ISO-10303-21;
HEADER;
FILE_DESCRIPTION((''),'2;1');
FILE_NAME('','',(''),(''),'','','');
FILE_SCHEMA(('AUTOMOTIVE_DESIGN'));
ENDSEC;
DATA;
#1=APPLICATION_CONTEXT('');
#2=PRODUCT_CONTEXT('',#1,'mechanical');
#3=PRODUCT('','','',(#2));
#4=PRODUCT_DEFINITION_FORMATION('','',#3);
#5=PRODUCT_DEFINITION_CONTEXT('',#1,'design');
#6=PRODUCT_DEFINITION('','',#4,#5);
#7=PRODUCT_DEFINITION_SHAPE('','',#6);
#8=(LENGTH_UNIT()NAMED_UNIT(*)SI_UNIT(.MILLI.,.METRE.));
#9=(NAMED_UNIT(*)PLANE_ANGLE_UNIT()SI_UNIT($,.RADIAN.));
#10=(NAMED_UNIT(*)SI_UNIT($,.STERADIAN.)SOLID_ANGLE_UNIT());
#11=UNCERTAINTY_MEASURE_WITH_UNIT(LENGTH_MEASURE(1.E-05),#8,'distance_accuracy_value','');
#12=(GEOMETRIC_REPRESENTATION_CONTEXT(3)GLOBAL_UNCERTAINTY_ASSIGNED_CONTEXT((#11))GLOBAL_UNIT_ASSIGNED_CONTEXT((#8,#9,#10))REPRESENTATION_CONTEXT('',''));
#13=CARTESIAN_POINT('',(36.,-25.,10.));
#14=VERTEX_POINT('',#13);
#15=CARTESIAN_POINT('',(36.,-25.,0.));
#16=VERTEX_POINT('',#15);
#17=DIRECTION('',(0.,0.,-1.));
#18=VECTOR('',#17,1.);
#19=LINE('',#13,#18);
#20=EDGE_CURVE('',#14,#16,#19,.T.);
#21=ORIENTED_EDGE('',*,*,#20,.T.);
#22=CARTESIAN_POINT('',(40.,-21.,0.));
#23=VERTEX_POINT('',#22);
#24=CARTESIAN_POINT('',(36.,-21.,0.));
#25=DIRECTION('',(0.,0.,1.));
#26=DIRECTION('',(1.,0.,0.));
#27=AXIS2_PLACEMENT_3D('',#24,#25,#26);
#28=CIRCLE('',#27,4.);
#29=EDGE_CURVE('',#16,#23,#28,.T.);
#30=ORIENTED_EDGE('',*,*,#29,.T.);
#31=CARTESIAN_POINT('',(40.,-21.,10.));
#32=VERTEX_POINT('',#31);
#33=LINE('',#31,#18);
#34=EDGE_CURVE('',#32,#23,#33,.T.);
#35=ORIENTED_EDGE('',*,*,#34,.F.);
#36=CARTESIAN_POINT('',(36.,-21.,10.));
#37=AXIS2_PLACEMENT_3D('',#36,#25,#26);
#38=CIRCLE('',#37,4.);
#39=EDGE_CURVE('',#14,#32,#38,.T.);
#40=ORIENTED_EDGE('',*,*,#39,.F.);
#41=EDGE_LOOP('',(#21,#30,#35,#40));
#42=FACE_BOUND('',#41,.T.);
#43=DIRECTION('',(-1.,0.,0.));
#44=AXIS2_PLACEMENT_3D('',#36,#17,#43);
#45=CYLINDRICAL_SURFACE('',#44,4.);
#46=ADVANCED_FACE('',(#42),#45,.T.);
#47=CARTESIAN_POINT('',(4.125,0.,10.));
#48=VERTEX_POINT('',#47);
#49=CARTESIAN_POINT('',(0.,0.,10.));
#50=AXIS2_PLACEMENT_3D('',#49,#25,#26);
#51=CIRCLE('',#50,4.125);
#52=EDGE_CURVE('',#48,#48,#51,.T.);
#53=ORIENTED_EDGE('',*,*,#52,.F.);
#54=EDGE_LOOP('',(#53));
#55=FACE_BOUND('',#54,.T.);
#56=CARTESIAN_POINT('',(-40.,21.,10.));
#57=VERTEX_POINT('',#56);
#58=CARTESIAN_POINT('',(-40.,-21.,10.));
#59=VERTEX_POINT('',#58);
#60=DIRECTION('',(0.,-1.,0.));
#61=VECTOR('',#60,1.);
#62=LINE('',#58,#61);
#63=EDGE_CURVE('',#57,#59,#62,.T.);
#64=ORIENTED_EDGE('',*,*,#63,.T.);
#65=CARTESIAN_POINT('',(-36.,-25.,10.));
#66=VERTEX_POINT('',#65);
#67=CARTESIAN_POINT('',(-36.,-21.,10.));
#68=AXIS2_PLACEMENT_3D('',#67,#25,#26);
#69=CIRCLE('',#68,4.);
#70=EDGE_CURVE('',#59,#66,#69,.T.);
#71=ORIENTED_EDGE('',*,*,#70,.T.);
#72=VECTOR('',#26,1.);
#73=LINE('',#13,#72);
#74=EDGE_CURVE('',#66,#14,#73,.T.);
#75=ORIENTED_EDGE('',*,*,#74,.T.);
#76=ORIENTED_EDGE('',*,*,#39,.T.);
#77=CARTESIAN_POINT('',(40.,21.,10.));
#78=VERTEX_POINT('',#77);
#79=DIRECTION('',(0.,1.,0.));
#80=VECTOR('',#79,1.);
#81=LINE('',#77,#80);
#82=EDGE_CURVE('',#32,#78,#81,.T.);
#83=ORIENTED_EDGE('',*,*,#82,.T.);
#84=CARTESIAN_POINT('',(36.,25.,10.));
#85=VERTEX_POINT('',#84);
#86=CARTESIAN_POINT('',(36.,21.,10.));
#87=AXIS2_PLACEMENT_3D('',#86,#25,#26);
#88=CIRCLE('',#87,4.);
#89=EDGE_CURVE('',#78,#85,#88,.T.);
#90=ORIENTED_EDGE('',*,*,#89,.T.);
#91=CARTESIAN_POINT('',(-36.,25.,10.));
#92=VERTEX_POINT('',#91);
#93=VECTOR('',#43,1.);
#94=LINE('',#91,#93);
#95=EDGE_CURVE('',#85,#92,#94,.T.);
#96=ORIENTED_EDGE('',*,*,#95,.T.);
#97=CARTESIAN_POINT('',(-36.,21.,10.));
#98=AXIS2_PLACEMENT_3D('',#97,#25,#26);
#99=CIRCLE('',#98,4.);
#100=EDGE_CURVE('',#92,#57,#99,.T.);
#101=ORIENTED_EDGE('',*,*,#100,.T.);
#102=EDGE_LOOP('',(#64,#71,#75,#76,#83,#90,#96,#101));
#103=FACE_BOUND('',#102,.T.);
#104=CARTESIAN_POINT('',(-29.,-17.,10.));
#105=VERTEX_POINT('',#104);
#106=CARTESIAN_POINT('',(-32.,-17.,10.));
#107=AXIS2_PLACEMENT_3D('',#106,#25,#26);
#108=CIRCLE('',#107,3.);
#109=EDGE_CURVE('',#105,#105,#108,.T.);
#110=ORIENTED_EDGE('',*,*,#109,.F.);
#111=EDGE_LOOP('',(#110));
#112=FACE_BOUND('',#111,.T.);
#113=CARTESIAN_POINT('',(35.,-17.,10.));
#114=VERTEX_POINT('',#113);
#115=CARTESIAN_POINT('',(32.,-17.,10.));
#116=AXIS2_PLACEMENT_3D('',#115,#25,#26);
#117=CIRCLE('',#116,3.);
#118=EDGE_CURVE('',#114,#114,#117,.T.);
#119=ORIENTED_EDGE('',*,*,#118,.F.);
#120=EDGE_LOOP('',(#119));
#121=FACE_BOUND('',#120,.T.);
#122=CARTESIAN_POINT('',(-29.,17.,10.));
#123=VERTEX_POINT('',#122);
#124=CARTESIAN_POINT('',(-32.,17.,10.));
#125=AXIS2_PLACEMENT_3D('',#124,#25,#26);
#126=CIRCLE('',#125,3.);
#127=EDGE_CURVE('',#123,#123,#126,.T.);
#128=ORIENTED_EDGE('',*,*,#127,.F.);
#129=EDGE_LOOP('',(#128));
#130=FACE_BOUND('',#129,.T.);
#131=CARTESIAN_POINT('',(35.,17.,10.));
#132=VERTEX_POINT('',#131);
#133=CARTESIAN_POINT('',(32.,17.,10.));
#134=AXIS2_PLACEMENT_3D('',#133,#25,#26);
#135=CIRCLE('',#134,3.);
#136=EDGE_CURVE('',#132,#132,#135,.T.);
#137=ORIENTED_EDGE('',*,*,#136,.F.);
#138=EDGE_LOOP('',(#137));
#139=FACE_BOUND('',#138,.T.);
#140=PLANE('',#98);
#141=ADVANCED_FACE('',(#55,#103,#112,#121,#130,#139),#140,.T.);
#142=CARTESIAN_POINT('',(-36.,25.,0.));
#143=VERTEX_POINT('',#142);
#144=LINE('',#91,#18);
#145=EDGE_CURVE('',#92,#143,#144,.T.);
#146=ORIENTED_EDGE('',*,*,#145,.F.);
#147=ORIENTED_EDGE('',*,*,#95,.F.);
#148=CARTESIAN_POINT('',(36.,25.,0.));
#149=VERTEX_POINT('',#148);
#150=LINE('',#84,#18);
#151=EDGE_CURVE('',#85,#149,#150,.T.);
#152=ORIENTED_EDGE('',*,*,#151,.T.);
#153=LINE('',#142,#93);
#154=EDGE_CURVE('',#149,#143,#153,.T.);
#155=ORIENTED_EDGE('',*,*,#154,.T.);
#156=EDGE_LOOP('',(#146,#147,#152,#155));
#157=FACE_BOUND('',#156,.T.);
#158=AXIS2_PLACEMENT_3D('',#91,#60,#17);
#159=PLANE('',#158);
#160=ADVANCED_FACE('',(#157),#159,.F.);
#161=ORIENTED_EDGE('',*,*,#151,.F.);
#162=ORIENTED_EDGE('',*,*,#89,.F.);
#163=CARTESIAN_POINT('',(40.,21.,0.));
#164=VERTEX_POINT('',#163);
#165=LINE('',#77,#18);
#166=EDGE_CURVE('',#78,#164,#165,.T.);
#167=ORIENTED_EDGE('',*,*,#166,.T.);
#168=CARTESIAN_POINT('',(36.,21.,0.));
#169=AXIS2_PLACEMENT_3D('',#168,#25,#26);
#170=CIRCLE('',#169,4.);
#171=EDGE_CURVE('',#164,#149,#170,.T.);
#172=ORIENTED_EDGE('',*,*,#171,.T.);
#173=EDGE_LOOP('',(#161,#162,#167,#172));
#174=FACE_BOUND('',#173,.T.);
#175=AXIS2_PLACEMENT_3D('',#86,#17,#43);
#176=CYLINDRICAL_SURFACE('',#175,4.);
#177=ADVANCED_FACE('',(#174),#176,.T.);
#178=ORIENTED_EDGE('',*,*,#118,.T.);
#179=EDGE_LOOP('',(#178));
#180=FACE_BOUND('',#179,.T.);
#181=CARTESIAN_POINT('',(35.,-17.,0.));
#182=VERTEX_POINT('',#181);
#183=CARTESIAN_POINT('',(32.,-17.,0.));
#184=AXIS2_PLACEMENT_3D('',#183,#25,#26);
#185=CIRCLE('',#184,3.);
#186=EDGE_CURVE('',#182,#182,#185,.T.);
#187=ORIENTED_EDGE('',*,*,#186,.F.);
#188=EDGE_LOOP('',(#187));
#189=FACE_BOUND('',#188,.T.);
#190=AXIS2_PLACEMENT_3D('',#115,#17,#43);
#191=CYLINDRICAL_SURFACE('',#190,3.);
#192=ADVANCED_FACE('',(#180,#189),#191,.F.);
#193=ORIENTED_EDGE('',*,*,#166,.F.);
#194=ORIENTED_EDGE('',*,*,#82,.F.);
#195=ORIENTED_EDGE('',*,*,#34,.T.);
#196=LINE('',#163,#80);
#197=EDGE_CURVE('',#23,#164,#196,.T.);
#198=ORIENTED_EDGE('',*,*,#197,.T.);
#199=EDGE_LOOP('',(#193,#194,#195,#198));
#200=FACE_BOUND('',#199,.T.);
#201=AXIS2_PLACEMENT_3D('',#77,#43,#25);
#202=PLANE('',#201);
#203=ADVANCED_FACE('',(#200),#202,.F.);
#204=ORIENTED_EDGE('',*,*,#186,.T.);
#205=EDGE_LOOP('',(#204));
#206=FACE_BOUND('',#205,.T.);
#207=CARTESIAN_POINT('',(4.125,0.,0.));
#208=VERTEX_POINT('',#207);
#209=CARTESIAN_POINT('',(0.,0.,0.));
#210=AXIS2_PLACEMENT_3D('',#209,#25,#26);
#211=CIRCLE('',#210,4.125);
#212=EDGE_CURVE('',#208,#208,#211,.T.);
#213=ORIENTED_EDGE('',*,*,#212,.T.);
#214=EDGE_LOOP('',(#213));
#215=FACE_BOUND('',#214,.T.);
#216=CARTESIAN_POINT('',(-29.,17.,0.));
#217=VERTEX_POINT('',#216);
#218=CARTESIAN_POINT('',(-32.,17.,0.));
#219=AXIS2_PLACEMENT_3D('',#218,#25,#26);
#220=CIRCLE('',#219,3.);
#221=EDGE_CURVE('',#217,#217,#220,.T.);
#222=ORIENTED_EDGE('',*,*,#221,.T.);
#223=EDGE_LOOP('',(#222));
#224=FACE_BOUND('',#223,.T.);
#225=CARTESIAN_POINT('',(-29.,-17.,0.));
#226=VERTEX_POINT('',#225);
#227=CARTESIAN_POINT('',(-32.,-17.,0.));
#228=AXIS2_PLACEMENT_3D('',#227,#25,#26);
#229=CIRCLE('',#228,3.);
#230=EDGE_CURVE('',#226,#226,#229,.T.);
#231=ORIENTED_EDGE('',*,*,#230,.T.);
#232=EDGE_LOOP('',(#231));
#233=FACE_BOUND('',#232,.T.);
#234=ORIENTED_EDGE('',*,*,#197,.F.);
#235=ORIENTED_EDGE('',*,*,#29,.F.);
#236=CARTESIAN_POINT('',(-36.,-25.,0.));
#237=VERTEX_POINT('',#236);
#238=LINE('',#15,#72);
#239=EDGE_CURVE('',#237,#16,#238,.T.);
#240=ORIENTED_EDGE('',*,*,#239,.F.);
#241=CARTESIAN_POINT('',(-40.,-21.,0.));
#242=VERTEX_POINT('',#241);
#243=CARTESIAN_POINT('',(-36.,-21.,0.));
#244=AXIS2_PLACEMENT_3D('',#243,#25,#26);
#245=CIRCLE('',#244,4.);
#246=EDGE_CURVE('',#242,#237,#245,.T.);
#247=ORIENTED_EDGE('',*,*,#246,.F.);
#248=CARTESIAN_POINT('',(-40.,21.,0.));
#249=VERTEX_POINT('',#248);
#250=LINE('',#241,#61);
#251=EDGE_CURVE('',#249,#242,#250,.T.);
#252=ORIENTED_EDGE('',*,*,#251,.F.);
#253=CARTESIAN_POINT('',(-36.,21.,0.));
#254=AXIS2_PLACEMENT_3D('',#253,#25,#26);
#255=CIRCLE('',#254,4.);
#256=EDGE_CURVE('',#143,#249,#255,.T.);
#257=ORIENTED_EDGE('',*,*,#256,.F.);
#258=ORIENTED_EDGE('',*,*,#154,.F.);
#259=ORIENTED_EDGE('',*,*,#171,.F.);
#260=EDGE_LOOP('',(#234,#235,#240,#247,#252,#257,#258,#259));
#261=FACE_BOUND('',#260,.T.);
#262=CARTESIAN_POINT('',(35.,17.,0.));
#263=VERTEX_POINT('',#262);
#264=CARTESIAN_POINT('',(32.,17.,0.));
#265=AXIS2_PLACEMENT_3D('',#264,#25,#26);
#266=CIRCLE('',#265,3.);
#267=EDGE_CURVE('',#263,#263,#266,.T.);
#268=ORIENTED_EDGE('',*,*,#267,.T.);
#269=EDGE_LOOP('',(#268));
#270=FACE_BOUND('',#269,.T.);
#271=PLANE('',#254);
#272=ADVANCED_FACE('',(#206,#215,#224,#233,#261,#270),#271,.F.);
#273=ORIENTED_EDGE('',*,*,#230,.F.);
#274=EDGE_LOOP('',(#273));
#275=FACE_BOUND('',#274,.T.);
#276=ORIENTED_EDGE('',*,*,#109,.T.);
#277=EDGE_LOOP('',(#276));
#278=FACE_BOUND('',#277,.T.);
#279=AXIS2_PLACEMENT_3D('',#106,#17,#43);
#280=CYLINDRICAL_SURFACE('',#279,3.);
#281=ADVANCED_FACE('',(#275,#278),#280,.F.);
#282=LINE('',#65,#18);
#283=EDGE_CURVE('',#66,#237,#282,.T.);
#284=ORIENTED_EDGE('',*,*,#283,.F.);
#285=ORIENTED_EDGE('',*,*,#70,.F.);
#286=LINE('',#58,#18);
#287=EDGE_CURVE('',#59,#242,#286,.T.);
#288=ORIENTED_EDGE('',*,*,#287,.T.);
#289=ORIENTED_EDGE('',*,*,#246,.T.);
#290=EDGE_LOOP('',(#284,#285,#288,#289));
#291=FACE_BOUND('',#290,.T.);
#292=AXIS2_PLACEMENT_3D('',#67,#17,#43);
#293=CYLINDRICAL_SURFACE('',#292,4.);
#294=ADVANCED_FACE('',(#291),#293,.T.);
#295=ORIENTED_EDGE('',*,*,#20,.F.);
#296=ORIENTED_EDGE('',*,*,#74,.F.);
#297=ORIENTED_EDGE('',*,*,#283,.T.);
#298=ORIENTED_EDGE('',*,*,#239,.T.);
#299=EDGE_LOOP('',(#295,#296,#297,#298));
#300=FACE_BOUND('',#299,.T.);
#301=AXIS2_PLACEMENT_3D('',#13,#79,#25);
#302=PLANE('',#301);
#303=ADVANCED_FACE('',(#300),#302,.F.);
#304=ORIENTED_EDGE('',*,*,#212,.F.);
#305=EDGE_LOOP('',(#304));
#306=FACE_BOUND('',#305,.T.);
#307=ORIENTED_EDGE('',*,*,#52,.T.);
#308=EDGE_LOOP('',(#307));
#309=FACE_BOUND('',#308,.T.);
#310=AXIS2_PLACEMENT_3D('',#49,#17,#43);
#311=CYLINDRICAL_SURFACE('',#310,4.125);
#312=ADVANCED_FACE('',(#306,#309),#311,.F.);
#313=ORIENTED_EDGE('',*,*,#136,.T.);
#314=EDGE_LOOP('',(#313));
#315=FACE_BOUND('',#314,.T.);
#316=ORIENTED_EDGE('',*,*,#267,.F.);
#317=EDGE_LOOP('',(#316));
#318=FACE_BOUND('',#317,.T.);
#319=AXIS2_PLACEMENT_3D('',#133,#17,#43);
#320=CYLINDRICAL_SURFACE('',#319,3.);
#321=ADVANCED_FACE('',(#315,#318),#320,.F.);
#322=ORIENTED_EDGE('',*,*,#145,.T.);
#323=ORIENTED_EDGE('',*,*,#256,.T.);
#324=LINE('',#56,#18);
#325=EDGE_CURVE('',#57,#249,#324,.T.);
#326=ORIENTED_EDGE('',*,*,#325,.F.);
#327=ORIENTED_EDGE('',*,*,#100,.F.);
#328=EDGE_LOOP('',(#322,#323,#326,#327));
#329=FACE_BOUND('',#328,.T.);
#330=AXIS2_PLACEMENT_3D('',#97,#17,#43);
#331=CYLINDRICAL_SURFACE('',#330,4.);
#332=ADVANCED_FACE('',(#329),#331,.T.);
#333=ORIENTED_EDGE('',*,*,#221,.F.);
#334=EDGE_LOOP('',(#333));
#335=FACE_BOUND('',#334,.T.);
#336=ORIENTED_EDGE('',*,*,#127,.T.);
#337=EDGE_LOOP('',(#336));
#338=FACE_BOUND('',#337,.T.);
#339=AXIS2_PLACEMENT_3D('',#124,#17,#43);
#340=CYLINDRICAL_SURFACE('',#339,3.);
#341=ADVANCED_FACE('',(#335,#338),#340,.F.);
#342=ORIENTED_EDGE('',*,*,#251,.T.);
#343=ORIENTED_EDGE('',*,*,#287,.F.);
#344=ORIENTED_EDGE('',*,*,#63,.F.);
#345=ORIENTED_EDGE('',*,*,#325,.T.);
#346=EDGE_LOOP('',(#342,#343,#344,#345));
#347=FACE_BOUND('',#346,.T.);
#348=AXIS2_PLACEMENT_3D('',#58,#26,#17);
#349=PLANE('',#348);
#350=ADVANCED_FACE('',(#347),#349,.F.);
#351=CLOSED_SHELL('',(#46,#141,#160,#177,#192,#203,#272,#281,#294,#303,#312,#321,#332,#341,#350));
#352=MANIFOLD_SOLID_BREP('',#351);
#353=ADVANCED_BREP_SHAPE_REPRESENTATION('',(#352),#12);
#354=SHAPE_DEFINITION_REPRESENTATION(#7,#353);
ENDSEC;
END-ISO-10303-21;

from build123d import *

# Parameters (mm, degrees)
MODEL_R             = 3
MODEL_R_2           = 4.125
BOSS_EXTRUDE1_DEPTH = 10


with BuildPart() as part:
    # Model → Boss-Extrude1 (new body)
    with BuildSketch(Plane.XY):
        with BuildLine():
            Line((36, -25), (-36, -25))
            ThreePointArc((-36, -25), (-38.828427125, -23.828427125), (-40, -21))
            Line((-40, -21), (-40, 21))
            ThreePointArc((-40, 21), (-38.828427125, 23.828427125), (-36, 25))
            Line((-36, 25), (36, 25))
            ThreePointArc((36, 25), (38.828427125, 23.828427125), (40, 21))
            Line((40, 21), (40, -21))
            ThreePointArc((40, -21), (38.828427125, -23.828427125), (36, -25))
        make_face()
        with Locations((32, 17)):
            Circle(MODEL_R, mode=Mode.SUBTRACT)
        with Locations((-32, 17)):
            Circle(MODEL_R, mode=Mode.SUBTRACT)
        with Locations((32, -17)):
            Circle(MODEL_R, mode=Mode.SUBTRACT)
        Circle(MODEL_R_2, mode=Mode.SUBTRACT)
        with Locations((-32, -17)):
            Circle(MODEL_R, mode=Mode.SUBTRACT)
    extrude(amount=BOSS_EXTRUDE1_DEPTH)


solid = part.part
